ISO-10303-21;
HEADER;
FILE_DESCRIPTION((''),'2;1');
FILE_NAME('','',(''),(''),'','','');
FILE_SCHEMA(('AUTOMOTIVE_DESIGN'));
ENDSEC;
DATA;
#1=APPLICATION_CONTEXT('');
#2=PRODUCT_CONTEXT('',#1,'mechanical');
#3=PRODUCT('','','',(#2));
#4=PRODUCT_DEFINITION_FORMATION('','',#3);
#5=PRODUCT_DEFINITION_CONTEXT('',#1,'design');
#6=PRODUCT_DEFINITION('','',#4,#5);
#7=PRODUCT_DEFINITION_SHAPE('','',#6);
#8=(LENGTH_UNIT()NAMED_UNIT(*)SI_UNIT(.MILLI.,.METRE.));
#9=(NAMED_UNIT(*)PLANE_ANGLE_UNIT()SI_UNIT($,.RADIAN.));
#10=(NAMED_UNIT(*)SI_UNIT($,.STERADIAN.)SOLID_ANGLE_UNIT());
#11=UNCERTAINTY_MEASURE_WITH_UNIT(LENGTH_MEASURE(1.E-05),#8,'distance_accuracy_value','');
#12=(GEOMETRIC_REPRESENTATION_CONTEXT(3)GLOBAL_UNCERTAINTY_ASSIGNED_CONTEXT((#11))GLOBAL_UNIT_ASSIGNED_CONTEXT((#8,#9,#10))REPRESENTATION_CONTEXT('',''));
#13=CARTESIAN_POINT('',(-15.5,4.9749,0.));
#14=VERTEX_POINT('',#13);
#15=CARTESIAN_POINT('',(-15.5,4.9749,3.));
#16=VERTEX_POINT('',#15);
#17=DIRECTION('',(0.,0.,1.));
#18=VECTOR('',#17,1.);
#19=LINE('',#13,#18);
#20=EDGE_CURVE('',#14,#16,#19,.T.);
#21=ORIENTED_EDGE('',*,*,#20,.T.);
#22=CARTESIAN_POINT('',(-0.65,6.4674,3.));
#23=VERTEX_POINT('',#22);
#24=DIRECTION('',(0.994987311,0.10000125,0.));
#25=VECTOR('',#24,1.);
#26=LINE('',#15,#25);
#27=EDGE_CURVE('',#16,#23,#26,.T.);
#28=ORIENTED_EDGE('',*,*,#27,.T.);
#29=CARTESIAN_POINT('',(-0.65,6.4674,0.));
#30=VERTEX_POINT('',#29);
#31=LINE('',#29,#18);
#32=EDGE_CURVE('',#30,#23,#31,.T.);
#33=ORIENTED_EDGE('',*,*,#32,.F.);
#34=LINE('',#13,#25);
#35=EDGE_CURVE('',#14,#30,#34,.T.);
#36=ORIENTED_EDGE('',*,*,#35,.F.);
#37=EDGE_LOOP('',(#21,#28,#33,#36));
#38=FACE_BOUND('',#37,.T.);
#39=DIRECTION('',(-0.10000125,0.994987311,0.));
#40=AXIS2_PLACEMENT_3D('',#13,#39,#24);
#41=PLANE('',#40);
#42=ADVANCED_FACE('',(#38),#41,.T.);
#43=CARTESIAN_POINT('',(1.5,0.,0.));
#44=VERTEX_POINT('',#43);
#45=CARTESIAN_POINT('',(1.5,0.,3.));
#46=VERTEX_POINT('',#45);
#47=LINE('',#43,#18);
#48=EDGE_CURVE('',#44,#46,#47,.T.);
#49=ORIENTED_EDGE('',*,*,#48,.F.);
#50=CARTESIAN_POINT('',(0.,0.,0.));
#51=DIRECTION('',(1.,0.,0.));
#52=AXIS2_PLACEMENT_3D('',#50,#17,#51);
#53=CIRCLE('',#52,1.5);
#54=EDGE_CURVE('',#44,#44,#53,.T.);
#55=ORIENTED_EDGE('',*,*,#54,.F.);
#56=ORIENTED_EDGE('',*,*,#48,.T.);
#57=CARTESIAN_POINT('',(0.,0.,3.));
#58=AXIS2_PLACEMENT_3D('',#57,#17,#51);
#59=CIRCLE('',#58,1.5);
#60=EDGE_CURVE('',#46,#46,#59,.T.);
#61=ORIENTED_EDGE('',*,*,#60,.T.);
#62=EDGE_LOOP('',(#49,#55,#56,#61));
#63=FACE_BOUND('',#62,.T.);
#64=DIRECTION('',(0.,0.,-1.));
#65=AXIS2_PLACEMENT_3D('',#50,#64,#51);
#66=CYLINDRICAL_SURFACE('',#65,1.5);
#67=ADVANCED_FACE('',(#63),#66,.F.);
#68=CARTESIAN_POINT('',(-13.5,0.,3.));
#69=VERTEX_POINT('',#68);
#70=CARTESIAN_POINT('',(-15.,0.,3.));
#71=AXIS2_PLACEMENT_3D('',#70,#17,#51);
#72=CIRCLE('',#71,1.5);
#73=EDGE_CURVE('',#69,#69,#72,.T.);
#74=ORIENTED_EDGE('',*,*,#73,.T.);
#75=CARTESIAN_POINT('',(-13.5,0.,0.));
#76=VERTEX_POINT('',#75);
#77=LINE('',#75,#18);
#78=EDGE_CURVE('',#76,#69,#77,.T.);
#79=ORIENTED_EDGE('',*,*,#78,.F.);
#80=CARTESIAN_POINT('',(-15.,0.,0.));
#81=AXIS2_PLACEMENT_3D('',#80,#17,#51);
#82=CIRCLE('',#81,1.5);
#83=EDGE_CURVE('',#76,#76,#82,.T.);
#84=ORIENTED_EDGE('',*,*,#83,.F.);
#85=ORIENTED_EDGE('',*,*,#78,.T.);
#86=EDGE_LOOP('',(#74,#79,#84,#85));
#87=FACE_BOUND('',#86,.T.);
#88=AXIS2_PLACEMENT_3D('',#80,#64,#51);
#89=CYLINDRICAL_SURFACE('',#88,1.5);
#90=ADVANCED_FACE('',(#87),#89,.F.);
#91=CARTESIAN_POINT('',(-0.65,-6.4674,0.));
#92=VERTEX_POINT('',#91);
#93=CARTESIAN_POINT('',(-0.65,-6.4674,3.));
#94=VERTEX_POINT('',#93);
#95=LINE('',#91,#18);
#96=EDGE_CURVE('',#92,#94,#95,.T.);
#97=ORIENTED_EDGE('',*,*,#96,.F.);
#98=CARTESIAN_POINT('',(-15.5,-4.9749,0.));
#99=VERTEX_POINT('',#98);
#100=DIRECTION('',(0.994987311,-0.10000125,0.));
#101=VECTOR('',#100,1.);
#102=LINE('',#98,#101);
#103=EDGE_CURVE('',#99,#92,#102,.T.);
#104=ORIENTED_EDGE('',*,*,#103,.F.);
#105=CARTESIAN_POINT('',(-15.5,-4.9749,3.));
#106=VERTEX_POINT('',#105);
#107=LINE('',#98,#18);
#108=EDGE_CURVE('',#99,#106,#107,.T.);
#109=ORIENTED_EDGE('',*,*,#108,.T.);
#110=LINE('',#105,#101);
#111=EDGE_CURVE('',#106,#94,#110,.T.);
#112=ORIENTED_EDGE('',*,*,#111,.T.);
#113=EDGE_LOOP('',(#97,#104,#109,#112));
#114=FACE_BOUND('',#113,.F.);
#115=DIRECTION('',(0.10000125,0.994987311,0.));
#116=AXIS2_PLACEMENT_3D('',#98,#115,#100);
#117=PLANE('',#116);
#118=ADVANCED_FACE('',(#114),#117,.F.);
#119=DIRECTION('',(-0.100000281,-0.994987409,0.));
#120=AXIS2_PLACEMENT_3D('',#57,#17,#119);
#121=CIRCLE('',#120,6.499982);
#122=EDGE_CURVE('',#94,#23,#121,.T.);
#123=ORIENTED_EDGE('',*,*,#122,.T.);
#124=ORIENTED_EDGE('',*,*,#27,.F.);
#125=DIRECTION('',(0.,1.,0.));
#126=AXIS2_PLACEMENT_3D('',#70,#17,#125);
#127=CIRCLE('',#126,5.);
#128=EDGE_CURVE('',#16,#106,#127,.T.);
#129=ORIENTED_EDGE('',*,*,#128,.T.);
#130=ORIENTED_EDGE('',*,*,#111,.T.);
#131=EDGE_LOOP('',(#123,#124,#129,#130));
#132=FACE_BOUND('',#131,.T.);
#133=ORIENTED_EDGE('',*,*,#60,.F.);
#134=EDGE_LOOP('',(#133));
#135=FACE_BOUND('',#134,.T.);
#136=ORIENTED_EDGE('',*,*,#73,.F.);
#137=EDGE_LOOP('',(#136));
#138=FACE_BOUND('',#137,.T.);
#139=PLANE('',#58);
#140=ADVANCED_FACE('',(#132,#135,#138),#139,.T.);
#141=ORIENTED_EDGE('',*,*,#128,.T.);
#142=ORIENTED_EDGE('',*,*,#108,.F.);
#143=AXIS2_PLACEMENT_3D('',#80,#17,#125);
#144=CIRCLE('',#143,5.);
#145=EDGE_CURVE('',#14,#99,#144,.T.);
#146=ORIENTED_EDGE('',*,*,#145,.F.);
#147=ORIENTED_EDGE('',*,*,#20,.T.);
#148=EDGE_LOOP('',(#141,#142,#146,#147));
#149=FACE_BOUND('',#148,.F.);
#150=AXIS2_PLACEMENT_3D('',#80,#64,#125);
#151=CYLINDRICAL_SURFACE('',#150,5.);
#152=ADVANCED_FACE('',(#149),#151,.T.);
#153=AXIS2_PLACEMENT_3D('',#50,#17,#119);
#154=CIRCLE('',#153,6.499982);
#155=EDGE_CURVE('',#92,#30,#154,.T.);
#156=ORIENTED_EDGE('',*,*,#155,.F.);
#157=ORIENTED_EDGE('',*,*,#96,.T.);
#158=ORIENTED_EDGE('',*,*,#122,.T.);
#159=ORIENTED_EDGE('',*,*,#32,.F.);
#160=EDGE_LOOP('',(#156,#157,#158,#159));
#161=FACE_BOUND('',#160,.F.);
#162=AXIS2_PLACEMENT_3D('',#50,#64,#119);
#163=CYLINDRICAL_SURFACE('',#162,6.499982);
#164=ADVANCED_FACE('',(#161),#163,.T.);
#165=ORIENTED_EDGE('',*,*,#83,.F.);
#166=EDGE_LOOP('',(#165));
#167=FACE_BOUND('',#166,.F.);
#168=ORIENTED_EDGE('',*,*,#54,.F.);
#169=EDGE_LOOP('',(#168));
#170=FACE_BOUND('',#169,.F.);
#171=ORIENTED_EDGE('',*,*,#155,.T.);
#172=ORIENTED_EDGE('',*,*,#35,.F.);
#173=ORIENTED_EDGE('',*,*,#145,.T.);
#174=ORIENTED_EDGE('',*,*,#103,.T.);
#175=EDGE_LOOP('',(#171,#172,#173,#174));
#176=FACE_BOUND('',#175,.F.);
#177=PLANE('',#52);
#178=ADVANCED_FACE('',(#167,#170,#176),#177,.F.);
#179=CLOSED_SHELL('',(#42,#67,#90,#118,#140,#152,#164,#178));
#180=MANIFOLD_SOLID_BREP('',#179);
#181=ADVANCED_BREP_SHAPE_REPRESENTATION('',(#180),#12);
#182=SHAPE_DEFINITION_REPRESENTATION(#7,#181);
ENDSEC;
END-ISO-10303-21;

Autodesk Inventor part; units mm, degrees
ref_plane "YZ Plane" through (0, 0, 0) normal (1, 0, 0) x (0, 1, 0)
ref_plane "XZ Plane" through (0, 0, 0) normal (0, 1, 0) x (-1, 0, 0)
ref_plane "XY Plane" through (0, 0, 0) normal (0, 0, 1) x (1, 0, 0)
sketch "スケッチ1" plane through (0, 0, 0) normal (0, 0, 1) x (1, 0, 0)
  line L0 (0, 0) -> (-15, 0) construction
  line L1 (0, 5) -> (-15, 5) construction
  line L2 (-15, -5) -> (0, -5) construction
  arc A0 (0, -5) -> (0, 5) centre (0, 0) ccw construction
  arc A1 (-15, 5) -> (-15, -5) centre (-15, 0) ccw
  circle A2 centre (-15, 0) radius 1.5
  circle A3 centre (0, 0) radius 1.5
  arc A4 (-0.65, 6.4674) -> (-0.65, -6.4674) centre (0, 0) ccw construction
  line L3 (-15.5, 4.9749) -> (-0.65, 6.4674)
  line L4 (-15.5, -4.9749) -> (-0.65, -6.4674)
  arc A5 (-0.65, -6.4674) -> (-0.65, 6.4674) centre (0, 0) ccw
  point P0 (-7.5, 0)
  dimension "d0" = 15
  dimension "d1" = 10
  dimension "d2" = 3
  dimension "d3" = 3
  dimension "d4" = 13
extrude "押し出し1" add sketch "スケッチ1" along normal blind 3
properties part number "ウィング抑え" material "ポリカーボネート、スモーク"
